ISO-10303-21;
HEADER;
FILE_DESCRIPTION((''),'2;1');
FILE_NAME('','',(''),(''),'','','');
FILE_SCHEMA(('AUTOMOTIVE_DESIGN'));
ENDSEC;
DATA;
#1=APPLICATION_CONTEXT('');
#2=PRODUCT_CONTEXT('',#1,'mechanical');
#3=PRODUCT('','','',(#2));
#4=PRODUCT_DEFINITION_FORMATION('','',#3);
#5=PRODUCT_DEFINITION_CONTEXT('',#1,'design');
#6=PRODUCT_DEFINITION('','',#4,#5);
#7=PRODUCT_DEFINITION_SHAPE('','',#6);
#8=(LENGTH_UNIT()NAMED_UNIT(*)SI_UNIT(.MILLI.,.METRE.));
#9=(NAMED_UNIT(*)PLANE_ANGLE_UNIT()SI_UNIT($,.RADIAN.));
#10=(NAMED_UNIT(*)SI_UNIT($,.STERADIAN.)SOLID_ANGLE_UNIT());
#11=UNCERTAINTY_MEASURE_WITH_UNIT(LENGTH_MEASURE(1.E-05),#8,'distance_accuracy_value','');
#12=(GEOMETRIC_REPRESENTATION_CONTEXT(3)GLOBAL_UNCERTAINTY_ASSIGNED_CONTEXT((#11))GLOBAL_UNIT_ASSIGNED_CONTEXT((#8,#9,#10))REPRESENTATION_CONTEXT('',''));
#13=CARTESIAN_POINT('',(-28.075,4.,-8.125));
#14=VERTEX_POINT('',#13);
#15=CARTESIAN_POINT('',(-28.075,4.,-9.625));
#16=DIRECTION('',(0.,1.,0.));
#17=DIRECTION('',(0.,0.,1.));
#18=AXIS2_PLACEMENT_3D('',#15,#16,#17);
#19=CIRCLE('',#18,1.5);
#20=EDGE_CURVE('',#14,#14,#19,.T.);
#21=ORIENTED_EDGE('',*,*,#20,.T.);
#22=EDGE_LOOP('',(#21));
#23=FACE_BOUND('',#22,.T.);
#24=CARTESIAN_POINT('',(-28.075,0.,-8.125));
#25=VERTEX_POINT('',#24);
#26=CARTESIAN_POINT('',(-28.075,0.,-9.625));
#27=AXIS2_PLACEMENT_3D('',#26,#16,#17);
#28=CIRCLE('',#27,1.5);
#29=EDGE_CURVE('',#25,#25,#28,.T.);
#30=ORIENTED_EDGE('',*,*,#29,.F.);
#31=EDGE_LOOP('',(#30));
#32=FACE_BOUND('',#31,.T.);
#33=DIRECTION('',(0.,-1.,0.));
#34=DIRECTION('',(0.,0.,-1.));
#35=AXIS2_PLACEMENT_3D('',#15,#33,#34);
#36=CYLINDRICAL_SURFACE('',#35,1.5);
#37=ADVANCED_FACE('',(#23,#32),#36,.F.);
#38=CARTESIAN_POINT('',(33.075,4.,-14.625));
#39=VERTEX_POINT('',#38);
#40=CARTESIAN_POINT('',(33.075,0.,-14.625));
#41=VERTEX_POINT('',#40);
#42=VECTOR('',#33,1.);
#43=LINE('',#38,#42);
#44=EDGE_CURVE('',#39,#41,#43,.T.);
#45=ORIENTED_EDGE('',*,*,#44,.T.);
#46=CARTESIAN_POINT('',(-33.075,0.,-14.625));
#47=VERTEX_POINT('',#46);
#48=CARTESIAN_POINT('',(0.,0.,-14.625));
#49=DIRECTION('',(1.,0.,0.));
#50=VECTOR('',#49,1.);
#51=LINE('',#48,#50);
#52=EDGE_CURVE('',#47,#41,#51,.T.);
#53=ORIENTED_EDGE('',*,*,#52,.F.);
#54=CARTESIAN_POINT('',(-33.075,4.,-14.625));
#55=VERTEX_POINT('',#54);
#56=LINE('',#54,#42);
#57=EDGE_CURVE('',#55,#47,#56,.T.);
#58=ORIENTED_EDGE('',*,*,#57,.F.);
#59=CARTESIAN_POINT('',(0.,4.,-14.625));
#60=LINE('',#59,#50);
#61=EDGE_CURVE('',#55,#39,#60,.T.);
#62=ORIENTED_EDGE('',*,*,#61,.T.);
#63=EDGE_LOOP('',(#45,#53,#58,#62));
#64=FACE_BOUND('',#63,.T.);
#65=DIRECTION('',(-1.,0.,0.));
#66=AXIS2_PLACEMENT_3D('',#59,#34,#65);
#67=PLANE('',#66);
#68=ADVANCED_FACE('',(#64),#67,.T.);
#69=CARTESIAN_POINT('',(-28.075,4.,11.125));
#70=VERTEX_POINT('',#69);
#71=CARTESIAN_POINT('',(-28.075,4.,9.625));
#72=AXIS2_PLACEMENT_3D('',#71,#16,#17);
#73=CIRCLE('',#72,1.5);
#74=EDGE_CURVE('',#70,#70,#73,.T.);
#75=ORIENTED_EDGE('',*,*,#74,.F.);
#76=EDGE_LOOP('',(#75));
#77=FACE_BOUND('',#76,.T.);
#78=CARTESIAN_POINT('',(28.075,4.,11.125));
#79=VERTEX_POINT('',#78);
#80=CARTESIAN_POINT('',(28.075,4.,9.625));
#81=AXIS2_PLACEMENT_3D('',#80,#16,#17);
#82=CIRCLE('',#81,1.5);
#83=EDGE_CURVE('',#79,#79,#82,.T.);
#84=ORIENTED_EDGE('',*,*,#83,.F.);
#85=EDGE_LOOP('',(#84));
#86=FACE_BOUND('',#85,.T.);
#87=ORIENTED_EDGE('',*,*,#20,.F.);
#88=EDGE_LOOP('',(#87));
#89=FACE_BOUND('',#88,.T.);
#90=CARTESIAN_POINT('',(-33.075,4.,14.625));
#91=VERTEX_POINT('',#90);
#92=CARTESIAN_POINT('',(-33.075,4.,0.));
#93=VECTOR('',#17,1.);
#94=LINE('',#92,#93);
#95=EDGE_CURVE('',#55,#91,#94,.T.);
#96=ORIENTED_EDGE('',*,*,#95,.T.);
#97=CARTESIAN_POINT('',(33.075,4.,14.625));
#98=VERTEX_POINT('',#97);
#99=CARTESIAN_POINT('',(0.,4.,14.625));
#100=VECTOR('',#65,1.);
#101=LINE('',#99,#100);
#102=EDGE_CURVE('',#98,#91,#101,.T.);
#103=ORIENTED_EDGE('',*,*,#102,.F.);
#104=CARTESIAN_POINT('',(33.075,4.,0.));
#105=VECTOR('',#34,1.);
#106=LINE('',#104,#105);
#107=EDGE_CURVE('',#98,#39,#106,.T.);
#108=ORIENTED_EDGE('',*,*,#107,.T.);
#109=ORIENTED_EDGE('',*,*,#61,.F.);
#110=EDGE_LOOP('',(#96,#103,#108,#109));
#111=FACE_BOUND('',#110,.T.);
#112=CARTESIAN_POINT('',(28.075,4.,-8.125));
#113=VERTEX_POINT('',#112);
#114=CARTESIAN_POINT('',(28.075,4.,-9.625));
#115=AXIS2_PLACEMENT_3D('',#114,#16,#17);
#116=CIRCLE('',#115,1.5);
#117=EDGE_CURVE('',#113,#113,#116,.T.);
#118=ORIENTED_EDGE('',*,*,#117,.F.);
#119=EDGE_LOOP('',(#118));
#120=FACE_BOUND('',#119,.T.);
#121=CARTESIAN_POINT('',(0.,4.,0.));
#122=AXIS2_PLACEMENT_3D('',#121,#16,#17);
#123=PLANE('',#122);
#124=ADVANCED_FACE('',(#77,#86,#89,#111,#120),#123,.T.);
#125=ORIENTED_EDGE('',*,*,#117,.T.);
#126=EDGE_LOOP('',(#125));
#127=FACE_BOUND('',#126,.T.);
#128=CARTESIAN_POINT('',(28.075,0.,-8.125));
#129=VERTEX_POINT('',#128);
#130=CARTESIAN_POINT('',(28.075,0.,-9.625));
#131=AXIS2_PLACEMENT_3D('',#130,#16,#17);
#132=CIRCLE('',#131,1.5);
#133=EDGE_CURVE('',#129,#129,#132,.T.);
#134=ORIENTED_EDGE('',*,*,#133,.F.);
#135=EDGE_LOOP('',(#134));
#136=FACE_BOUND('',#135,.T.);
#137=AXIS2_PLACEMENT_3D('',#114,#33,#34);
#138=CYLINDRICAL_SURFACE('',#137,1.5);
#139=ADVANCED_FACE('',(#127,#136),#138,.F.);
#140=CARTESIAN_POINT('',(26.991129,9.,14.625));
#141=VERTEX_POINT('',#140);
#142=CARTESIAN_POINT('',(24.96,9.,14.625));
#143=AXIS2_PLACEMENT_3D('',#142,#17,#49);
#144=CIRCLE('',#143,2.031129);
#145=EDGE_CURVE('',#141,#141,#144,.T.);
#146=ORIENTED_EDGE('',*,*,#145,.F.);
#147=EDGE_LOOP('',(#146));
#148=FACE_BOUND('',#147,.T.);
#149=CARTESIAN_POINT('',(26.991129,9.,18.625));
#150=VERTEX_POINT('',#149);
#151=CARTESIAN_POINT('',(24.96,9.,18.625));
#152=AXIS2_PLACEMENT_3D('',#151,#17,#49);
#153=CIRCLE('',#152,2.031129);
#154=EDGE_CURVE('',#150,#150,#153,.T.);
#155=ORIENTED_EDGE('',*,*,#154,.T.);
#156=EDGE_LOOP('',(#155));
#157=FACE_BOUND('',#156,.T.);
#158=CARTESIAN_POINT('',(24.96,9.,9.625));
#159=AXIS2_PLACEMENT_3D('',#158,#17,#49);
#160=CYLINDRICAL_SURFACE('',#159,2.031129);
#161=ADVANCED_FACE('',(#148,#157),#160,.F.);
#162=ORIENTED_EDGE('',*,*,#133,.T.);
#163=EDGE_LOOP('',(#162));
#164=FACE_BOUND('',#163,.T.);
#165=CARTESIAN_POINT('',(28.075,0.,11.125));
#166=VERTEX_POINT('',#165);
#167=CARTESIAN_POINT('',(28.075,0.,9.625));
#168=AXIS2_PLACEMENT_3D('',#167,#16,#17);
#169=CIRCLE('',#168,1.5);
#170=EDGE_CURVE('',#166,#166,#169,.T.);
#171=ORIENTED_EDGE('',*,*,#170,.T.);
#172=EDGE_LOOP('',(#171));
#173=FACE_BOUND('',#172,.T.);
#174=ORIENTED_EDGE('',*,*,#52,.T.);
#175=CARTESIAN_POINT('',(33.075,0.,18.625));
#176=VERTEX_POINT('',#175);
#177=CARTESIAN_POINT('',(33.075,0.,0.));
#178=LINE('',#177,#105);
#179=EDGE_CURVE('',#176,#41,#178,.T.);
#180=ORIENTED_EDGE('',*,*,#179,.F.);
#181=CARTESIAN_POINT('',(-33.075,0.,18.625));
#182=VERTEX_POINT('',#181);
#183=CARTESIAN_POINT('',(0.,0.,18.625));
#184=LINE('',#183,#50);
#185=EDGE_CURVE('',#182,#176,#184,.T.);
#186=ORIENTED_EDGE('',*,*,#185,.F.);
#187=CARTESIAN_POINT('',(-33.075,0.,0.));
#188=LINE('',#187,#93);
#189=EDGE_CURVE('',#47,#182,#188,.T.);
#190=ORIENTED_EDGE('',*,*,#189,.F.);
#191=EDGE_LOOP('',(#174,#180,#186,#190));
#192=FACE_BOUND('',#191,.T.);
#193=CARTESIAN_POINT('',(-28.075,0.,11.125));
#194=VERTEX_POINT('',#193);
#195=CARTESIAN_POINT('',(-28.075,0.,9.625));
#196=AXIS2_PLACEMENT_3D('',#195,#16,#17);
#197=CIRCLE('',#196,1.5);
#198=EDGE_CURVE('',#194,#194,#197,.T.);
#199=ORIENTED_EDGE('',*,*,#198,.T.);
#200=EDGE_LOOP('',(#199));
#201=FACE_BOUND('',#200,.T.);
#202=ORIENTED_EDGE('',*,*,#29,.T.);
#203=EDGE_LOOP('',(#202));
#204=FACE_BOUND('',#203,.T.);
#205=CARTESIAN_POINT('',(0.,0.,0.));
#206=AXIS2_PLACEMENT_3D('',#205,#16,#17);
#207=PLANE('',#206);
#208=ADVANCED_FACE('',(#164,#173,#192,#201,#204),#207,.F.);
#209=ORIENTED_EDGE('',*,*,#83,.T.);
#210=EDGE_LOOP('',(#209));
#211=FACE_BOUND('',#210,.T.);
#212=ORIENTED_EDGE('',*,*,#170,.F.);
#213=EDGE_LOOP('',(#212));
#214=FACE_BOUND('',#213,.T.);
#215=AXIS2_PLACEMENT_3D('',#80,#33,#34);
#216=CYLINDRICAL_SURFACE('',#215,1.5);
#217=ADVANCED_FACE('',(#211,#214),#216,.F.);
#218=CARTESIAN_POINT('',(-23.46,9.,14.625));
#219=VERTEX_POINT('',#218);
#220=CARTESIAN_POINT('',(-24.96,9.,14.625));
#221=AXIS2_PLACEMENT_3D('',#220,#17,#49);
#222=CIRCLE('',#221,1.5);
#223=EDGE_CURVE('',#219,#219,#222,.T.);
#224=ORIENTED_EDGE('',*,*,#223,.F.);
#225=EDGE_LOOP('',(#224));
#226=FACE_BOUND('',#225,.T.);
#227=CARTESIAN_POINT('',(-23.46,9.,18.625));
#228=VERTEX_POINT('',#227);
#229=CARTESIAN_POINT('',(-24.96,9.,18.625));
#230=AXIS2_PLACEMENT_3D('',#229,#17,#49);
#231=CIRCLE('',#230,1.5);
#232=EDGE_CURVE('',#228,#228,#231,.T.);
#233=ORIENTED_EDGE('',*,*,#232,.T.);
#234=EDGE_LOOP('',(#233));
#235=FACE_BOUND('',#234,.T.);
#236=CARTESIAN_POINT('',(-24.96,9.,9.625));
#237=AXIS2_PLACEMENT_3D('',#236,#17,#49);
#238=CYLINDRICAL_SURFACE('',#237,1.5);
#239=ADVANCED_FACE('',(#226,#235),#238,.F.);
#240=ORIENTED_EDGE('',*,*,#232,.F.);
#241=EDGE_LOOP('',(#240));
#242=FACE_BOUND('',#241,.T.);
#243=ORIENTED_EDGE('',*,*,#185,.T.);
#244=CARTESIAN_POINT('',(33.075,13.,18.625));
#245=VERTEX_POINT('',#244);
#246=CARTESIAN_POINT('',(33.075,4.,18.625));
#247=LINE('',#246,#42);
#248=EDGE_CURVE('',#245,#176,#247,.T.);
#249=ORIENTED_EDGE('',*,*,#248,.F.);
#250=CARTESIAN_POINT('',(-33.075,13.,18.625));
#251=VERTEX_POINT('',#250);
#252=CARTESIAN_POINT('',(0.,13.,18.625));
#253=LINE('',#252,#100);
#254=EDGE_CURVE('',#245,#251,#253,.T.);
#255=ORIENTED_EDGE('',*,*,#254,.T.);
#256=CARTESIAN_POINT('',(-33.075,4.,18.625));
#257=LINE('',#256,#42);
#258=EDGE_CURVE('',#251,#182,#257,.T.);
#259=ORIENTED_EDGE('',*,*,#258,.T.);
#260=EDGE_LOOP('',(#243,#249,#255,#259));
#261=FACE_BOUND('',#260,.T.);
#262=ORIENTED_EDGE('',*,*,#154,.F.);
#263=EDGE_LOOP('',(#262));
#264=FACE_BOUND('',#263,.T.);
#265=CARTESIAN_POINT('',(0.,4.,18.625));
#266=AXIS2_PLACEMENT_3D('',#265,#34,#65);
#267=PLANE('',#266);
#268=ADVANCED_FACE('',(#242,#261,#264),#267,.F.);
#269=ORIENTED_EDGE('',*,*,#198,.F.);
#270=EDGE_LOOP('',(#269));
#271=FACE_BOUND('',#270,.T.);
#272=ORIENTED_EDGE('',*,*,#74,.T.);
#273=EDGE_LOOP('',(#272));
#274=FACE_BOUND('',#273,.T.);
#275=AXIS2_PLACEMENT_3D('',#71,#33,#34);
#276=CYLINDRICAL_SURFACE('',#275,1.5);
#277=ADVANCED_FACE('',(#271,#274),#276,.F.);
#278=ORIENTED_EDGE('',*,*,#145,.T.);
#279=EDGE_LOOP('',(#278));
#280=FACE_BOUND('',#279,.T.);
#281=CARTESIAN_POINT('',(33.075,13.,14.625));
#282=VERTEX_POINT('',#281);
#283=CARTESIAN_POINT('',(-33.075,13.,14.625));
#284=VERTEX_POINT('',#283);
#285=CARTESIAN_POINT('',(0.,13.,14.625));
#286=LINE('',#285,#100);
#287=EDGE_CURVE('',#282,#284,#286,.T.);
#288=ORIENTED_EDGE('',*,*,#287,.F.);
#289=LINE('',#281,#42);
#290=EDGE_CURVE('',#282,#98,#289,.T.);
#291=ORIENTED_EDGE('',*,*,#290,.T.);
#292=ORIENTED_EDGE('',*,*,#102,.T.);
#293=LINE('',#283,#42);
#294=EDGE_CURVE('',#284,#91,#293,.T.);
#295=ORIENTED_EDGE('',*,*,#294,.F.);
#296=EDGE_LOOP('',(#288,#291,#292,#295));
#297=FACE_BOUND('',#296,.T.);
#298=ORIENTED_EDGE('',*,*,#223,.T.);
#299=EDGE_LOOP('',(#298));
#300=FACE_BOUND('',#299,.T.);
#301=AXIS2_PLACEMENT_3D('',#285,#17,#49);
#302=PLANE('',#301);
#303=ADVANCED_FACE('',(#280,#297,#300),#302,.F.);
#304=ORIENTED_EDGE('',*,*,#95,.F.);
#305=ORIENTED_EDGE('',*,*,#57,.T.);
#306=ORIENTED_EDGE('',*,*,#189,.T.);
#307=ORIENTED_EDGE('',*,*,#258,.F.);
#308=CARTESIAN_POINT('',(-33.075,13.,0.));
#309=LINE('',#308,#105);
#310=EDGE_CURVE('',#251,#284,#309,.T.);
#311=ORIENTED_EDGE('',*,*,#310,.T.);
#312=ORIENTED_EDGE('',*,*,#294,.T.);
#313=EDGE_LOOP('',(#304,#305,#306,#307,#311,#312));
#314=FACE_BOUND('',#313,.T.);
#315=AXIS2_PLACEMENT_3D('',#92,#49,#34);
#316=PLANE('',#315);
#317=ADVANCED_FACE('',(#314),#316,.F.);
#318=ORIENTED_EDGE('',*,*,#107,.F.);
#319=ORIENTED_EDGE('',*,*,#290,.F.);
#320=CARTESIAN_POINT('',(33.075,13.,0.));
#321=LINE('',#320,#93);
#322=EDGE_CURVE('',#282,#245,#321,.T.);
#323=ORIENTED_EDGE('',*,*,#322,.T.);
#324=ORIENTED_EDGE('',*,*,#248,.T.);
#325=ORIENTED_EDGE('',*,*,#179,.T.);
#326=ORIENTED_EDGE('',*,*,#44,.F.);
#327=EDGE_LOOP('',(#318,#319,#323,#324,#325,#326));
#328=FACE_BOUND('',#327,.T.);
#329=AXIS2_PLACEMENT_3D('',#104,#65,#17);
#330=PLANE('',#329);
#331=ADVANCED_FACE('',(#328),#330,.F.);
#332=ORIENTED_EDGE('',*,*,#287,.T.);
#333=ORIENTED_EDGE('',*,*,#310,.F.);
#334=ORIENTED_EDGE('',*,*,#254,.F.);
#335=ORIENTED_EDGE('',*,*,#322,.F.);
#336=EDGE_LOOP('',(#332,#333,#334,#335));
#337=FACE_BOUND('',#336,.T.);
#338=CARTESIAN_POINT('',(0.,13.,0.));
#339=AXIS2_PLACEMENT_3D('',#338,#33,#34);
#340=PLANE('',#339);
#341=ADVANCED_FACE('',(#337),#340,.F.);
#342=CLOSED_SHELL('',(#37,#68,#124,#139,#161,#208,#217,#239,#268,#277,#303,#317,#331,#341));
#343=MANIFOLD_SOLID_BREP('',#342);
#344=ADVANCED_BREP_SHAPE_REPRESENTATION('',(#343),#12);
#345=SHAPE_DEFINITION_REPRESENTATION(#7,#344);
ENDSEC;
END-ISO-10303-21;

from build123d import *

# Parameters (mm, degrees)
SKETCH1_W           = 66.15
SKETCH1_H           = 4
SKETCH1_H_2         = 29.25
SKETCH1_R           = 1.5
BOSS_EXTRUDE1_DEPTH = 4
BOSS_EXTRUDE2_START = 4
SKETCH1_3_W         = 66.15
SKETCH1_3_H         = 4
BOSS_EXTRUDE2_DEPTH = 9
SKETCH2_R           = 1.5
SKETCH2_R_2         = 2.031128953
CUT_EXTRUDE1_DEPTH  = 9


with BuildPart() as part:
    # Sketch1 → Boss-Extrude1 (new body)
    with BuildSketch(Plane(origin=(0, 0, 0), x_dir=(1, 0, 0), z_dir=(0, 1, 0))):
        with Locations((0, -16.625)):
            Rectangle(SKETCH1_W, SKETCH1_H)
        Rectangle(SKETCH1_W, SKETCH1_H_2)
        with Locations((28.075, 9.625)):
            Circle(SKETCH1_R, mode=Mode.SUBTRACT)
        with Locations((28.075, -9.625)):
            Circle(SKETCH1_R, mode=Mode.SUBTRACT)
        with Locations((-28.075, -9.625)):
            Circle(SKETCH1_R, mode=Mode.SUBTRACT)
        with Locations((-28.075, 9.625)):
            Circle(SKETCH1_R, mode=Mode.SUBTRACT)
    extrude(amount=BOSS_EXTRUDE1_DEPTH)

    # Sketch1<3> → Boss-Extrude2 (add)
    with BuildSketch(Plane(origin=(0, 0, 0), x_dir=(1, 0, 0), z_dir=(0, 1, 0)).offset(BOSS_EXTRUDE2_START)):
        with Locations((0, -16.625)):
            Rectangle(SKETCH1_3_W, SKETCH1_3_H)
    extrude(amount=BOSS_EXTRUDE2_DEPTH)

    # Sketch2 → Cut-Extrude1 (cut)
    with BuildSketch(Plane.XY.offset(18.625)):
        with Locations((-24.96, 9)):
            Circle(SKETCH2_R)
        with Locations((24.96, 9)):
            Circle(SKETCH2_R_2)
    extrude(amount=-CUT_EXTRUDE1_DEPTH, mode=Mode.SUBTRACT)


solid = part.part
